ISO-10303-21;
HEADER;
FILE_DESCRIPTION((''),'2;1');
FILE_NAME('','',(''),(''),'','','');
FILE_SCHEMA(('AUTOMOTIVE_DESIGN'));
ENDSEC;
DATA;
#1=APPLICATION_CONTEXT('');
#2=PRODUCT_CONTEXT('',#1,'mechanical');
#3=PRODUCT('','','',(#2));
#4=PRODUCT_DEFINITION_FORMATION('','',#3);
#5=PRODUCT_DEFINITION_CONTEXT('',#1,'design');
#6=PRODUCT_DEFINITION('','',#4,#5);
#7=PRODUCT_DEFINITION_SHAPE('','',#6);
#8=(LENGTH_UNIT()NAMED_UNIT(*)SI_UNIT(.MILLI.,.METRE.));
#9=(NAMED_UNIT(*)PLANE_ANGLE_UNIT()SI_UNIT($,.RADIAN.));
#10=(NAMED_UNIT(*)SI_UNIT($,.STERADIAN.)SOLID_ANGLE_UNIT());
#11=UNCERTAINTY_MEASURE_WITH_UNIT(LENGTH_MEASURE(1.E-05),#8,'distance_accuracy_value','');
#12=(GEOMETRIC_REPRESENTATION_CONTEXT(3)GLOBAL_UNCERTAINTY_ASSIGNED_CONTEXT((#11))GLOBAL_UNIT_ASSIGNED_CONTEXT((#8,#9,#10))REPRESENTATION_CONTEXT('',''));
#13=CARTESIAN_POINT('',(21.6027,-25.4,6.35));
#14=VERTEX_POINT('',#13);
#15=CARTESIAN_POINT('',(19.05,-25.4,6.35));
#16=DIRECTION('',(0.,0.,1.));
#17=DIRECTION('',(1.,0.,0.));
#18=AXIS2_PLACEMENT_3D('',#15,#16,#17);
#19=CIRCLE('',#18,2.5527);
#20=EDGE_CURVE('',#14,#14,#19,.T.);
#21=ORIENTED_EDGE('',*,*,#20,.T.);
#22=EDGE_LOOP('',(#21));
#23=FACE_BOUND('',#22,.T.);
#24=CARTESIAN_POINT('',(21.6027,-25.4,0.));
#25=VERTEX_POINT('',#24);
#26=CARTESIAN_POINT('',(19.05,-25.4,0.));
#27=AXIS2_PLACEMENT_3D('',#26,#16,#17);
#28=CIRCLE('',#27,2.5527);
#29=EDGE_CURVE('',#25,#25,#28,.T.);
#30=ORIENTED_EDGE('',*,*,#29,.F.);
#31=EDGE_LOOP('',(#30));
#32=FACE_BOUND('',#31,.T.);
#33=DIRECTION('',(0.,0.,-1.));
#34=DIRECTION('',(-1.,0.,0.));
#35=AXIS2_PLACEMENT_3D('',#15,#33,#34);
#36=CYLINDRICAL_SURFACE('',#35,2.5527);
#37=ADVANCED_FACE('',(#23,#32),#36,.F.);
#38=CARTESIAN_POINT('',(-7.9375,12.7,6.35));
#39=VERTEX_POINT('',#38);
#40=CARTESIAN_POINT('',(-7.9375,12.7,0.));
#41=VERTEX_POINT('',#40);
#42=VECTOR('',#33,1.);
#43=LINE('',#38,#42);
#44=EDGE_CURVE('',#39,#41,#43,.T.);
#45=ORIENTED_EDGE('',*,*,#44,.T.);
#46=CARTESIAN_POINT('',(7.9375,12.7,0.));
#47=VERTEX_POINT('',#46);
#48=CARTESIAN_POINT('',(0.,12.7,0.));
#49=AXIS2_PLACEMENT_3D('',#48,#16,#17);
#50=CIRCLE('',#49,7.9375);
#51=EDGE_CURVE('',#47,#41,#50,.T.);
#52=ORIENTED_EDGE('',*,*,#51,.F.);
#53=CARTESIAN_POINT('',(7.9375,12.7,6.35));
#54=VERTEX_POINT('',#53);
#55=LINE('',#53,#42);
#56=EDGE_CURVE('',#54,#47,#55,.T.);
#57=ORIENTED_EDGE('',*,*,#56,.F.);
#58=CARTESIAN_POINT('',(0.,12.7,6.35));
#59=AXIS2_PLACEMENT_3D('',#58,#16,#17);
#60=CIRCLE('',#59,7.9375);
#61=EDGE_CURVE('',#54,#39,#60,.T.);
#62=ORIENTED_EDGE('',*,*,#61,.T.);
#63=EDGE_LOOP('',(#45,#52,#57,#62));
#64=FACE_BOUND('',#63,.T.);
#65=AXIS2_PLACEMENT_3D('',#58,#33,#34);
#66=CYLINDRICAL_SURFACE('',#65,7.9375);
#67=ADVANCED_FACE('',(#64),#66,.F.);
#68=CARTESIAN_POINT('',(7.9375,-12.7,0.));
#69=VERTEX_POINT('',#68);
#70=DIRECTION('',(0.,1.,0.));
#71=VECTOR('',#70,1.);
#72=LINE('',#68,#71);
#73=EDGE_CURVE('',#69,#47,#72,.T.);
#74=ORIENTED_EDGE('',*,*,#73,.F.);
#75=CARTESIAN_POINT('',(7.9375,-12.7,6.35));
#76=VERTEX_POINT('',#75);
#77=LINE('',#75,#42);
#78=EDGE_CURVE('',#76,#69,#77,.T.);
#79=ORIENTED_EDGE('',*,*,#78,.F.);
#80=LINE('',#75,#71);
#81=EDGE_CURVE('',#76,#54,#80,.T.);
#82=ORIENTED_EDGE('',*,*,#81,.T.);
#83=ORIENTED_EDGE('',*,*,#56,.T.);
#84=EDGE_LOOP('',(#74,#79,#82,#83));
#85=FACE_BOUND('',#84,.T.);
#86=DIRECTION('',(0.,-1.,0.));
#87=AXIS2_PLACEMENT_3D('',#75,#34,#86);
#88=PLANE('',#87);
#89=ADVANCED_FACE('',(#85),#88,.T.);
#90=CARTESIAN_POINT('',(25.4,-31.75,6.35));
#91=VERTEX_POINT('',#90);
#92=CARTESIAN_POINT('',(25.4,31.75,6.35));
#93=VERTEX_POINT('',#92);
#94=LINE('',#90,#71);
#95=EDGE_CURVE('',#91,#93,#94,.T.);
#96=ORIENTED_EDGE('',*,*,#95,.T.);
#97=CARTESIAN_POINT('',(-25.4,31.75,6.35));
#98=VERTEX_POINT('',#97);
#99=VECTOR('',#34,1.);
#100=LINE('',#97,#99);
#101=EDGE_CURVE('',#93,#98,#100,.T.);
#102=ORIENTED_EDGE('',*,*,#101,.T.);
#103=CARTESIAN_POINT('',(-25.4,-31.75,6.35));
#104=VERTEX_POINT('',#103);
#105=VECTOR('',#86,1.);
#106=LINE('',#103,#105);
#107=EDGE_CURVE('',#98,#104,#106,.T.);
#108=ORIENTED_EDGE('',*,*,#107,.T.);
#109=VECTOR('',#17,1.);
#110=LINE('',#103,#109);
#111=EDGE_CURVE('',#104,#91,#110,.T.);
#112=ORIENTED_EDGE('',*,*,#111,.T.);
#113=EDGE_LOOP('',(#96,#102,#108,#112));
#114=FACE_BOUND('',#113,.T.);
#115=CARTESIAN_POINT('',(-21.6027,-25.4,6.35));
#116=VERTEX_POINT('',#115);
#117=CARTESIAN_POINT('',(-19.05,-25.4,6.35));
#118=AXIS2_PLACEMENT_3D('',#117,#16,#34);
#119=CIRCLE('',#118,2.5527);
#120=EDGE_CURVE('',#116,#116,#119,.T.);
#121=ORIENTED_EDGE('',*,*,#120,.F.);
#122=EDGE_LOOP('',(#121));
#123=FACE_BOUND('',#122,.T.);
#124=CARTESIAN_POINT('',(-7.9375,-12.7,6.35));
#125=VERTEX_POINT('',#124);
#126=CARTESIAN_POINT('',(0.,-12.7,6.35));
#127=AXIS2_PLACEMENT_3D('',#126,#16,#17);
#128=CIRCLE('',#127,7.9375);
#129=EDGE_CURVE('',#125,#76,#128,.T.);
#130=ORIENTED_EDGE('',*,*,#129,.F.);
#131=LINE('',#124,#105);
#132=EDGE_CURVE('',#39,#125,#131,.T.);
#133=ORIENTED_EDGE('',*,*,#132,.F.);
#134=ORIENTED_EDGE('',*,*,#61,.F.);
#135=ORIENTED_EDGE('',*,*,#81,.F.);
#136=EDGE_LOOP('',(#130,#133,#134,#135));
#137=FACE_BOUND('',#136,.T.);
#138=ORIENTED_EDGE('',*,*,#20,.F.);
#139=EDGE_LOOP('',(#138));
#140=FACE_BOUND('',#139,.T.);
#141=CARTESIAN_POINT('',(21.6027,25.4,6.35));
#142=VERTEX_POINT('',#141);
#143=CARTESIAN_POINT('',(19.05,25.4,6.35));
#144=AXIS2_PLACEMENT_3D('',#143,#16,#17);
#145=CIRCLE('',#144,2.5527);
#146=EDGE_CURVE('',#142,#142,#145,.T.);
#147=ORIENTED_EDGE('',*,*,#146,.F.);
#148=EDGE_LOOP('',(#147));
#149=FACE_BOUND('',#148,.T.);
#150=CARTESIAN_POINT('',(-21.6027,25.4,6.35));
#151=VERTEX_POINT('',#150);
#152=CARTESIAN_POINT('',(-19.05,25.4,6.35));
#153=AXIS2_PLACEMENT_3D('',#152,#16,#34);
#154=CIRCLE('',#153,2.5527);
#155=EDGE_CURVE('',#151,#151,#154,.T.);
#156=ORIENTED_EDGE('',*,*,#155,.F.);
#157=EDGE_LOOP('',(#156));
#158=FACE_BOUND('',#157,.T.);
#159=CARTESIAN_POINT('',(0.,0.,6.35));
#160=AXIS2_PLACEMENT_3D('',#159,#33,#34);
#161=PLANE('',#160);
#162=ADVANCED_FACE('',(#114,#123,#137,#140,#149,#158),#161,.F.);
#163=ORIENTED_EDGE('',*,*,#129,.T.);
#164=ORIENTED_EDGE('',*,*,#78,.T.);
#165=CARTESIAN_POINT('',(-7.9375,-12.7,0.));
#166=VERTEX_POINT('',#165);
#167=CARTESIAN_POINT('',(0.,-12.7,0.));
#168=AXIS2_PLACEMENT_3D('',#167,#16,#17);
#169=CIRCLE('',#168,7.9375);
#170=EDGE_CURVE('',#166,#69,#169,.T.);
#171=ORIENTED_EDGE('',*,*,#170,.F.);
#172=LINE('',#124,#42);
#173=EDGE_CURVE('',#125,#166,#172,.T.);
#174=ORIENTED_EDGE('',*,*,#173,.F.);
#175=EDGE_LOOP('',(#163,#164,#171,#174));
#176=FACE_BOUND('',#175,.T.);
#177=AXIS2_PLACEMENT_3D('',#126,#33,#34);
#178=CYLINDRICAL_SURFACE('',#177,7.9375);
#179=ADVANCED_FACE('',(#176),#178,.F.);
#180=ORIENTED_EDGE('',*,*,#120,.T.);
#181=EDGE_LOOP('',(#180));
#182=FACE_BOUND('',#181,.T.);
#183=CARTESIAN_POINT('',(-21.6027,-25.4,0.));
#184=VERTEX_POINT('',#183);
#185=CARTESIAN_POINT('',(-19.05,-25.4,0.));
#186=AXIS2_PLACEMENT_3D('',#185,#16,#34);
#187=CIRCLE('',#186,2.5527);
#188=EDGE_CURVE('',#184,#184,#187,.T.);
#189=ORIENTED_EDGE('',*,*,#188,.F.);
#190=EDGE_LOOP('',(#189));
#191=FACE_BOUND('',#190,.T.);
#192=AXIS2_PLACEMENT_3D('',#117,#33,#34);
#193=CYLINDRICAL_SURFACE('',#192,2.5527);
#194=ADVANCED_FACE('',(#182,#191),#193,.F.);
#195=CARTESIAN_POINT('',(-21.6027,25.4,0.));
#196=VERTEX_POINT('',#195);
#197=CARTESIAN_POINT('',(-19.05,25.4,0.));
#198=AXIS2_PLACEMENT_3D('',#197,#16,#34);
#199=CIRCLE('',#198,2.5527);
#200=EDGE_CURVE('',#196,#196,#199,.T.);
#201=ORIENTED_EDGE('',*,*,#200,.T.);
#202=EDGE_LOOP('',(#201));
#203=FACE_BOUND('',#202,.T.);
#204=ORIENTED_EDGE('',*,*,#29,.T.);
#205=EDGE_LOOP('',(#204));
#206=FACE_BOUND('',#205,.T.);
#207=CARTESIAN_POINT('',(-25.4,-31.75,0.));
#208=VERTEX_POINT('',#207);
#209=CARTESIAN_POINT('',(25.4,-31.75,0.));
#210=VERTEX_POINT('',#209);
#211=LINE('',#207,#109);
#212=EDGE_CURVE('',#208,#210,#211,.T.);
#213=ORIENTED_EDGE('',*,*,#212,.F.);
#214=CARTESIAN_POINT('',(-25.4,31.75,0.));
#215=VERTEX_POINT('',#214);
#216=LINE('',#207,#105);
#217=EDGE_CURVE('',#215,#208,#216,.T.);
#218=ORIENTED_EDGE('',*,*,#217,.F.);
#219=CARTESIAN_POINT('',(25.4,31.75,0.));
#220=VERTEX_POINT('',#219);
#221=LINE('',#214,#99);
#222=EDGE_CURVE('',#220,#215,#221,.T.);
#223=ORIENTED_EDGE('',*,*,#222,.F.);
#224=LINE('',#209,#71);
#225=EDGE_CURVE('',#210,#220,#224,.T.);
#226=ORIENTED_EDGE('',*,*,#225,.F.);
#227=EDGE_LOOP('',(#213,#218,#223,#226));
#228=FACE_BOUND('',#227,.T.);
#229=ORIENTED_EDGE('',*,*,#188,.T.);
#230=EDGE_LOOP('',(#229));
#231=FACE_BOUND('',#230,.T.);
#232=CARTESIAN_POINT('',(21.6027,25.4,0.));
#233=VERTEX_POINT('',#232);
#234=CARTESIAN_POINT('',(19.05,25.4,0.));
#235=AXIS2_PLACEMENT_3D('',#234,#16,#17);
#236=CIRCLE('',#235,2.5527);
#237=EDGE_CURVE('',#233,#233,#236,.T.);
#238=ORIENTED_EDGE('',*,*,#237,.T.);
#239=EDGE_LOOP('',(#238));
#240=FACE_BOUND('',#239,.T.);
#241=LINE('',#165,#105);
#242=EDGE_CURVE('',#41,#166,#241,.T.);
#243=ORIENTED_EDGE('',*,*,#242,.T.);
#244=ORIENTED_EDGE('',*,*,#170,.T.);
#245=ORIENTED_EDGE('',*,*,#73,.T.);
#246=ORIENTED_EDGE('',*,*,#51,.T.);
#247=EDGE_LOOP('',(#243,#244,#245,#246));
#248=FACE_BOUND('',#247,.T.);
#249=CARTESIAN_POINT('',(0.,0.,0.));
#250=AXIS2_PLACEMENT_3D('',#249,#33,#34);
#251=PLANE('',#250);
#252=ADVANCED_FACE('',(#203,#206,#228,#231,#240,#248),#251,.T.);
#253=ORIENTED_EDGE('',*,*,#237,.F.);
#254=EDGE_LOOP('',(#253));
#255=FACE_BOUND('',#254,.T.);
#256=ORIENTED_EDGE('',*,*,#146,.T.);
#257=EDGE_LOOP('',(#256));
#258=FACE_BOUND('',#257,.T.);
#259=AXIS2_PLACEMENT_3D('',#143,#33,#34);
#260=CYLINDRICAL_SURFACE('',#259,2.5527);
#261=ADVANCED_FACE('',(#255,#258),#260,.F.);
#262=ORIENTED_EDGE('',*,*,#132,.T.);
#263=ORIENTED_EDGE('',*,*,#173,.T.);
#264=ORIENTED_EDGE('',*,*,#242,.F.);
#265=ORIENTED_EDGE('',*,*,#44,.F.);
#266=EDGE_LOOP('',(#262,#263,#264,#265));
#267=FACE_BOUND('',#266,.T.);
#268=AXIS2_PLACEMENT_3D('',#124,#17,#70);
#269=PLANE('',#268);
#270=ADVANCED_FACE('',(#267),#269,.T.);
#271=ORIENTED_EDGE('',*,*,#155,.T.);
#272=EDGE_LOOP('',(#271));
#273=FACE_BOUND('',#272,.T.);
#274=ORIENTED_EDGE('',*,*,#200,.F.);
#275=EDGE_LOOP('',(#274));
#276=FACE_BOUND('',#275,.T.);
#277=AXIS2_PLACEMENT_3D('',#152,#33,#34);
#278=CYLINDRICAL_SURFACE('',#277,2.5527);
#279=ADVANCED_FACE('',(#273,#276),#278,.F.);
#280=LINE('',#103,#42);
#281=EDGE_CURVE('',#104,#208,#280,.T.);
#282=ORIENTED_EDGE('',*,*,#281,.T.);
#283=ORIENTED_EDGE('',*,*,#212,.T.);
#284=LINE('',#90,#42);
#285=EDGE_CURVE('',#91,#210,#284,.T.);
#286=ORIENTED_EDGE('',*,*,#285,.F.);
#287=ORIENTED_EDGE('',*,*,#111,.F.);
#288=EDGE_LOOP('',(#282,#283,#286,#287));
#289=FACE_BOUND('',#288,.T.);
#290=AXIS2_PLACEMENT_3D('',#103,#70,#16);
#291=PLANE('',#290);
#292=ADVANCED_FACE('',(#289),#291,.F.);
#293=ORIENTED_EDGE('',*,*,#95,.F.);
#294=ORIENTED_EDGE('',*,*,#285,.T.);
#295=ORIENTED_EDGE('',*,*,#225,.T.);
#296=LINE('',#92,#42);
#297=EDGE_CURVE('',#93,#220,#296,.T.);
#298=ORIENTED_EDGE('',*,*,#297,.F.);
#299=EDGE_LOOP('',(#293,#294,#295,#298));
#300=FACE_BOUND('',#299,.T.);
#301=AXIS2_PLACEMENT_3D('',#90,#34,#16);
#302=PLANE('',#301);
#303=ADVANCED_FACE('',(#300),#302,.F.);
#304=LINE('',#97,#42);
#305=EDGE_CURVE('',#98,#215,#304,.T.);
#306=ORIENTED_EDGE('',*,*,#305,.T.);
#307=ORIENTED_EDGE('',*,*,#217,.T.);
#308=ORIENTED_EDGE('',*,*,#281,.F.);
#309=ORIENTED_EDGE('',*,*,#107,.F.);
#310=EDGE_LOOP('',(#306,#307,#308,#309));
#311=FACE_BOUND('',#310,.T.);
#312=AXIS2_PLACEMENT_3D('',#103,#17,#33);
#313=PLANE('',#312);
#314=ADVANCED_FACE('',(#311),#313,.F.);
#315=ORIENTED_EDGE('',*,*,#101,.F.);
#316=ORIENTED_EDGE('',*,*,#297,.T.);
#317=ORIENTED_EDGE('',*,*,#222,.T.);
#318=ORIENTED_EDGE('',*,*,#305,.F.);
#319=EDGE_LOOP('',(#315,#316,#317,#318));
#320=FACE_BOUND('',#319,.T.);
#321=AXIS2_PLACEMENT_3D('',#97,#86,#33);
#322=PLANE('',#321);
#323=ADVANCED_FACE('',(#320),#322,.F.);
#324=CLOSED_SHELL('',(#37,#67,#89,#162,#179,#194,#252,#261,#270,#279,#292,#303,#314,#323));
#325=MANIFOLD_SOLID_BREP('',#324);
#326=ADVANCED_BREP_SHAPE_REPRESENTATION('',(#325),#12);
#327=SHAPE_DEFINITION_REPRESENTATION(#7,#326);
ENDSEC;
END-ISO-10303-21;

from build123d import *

# Parameters (mm, degrees)
SKETCH1_W           = 50.8
SKETCH1_H           = 63.5
SKETCH1_R           = 2.5527
BOSS_EXTRUDE1_DEPTH = 6.35


with BuildPart() as part:
    # Sketch1 → Boss-Extrude1 (new body)
    with BuildSketch(Plane.XY):
        Rectangle(SKETCH1_W, SKETCH1_H)
        with Locations(Location((-19.05, 25.4, 0), (0, 0, 180))):
            Circle(SKETCH1_R, mode=Mode.SUBTRACT)
        with Locations((19.05, 25.4)):
            Circle(SKETCH1_R, mode=Mode.SUBTRACT)
        with Locations((19.05, -25.4)):
            Circle(SKETCH1_R, mode=Mode.SUBTRACT)
        with Locations(Location((-19.05, -25.4, 0), (0, 0, 180))):
            Circle(SKETCH1_R, mode=Mode.SUBTRACT)
        with BuildLine():
            Line((-7.9375, -12.7), (-7.9375, 12.7))
            ThreePointArc((-7.9375, 12.7), (0, 20.6375), (7.9375, 12.7))
            Line((7.9375, 12.7), (7.9375, -12.7))
            ThreePointArc((7.9375, -12.7), (0, -20.6375), (-7.9375, -12.7))
        make_face(mode=Mode.SUBTRACT)
    extrude(amount=BOSS_EXTRUDE1_DEPTH)


solid = part.part
